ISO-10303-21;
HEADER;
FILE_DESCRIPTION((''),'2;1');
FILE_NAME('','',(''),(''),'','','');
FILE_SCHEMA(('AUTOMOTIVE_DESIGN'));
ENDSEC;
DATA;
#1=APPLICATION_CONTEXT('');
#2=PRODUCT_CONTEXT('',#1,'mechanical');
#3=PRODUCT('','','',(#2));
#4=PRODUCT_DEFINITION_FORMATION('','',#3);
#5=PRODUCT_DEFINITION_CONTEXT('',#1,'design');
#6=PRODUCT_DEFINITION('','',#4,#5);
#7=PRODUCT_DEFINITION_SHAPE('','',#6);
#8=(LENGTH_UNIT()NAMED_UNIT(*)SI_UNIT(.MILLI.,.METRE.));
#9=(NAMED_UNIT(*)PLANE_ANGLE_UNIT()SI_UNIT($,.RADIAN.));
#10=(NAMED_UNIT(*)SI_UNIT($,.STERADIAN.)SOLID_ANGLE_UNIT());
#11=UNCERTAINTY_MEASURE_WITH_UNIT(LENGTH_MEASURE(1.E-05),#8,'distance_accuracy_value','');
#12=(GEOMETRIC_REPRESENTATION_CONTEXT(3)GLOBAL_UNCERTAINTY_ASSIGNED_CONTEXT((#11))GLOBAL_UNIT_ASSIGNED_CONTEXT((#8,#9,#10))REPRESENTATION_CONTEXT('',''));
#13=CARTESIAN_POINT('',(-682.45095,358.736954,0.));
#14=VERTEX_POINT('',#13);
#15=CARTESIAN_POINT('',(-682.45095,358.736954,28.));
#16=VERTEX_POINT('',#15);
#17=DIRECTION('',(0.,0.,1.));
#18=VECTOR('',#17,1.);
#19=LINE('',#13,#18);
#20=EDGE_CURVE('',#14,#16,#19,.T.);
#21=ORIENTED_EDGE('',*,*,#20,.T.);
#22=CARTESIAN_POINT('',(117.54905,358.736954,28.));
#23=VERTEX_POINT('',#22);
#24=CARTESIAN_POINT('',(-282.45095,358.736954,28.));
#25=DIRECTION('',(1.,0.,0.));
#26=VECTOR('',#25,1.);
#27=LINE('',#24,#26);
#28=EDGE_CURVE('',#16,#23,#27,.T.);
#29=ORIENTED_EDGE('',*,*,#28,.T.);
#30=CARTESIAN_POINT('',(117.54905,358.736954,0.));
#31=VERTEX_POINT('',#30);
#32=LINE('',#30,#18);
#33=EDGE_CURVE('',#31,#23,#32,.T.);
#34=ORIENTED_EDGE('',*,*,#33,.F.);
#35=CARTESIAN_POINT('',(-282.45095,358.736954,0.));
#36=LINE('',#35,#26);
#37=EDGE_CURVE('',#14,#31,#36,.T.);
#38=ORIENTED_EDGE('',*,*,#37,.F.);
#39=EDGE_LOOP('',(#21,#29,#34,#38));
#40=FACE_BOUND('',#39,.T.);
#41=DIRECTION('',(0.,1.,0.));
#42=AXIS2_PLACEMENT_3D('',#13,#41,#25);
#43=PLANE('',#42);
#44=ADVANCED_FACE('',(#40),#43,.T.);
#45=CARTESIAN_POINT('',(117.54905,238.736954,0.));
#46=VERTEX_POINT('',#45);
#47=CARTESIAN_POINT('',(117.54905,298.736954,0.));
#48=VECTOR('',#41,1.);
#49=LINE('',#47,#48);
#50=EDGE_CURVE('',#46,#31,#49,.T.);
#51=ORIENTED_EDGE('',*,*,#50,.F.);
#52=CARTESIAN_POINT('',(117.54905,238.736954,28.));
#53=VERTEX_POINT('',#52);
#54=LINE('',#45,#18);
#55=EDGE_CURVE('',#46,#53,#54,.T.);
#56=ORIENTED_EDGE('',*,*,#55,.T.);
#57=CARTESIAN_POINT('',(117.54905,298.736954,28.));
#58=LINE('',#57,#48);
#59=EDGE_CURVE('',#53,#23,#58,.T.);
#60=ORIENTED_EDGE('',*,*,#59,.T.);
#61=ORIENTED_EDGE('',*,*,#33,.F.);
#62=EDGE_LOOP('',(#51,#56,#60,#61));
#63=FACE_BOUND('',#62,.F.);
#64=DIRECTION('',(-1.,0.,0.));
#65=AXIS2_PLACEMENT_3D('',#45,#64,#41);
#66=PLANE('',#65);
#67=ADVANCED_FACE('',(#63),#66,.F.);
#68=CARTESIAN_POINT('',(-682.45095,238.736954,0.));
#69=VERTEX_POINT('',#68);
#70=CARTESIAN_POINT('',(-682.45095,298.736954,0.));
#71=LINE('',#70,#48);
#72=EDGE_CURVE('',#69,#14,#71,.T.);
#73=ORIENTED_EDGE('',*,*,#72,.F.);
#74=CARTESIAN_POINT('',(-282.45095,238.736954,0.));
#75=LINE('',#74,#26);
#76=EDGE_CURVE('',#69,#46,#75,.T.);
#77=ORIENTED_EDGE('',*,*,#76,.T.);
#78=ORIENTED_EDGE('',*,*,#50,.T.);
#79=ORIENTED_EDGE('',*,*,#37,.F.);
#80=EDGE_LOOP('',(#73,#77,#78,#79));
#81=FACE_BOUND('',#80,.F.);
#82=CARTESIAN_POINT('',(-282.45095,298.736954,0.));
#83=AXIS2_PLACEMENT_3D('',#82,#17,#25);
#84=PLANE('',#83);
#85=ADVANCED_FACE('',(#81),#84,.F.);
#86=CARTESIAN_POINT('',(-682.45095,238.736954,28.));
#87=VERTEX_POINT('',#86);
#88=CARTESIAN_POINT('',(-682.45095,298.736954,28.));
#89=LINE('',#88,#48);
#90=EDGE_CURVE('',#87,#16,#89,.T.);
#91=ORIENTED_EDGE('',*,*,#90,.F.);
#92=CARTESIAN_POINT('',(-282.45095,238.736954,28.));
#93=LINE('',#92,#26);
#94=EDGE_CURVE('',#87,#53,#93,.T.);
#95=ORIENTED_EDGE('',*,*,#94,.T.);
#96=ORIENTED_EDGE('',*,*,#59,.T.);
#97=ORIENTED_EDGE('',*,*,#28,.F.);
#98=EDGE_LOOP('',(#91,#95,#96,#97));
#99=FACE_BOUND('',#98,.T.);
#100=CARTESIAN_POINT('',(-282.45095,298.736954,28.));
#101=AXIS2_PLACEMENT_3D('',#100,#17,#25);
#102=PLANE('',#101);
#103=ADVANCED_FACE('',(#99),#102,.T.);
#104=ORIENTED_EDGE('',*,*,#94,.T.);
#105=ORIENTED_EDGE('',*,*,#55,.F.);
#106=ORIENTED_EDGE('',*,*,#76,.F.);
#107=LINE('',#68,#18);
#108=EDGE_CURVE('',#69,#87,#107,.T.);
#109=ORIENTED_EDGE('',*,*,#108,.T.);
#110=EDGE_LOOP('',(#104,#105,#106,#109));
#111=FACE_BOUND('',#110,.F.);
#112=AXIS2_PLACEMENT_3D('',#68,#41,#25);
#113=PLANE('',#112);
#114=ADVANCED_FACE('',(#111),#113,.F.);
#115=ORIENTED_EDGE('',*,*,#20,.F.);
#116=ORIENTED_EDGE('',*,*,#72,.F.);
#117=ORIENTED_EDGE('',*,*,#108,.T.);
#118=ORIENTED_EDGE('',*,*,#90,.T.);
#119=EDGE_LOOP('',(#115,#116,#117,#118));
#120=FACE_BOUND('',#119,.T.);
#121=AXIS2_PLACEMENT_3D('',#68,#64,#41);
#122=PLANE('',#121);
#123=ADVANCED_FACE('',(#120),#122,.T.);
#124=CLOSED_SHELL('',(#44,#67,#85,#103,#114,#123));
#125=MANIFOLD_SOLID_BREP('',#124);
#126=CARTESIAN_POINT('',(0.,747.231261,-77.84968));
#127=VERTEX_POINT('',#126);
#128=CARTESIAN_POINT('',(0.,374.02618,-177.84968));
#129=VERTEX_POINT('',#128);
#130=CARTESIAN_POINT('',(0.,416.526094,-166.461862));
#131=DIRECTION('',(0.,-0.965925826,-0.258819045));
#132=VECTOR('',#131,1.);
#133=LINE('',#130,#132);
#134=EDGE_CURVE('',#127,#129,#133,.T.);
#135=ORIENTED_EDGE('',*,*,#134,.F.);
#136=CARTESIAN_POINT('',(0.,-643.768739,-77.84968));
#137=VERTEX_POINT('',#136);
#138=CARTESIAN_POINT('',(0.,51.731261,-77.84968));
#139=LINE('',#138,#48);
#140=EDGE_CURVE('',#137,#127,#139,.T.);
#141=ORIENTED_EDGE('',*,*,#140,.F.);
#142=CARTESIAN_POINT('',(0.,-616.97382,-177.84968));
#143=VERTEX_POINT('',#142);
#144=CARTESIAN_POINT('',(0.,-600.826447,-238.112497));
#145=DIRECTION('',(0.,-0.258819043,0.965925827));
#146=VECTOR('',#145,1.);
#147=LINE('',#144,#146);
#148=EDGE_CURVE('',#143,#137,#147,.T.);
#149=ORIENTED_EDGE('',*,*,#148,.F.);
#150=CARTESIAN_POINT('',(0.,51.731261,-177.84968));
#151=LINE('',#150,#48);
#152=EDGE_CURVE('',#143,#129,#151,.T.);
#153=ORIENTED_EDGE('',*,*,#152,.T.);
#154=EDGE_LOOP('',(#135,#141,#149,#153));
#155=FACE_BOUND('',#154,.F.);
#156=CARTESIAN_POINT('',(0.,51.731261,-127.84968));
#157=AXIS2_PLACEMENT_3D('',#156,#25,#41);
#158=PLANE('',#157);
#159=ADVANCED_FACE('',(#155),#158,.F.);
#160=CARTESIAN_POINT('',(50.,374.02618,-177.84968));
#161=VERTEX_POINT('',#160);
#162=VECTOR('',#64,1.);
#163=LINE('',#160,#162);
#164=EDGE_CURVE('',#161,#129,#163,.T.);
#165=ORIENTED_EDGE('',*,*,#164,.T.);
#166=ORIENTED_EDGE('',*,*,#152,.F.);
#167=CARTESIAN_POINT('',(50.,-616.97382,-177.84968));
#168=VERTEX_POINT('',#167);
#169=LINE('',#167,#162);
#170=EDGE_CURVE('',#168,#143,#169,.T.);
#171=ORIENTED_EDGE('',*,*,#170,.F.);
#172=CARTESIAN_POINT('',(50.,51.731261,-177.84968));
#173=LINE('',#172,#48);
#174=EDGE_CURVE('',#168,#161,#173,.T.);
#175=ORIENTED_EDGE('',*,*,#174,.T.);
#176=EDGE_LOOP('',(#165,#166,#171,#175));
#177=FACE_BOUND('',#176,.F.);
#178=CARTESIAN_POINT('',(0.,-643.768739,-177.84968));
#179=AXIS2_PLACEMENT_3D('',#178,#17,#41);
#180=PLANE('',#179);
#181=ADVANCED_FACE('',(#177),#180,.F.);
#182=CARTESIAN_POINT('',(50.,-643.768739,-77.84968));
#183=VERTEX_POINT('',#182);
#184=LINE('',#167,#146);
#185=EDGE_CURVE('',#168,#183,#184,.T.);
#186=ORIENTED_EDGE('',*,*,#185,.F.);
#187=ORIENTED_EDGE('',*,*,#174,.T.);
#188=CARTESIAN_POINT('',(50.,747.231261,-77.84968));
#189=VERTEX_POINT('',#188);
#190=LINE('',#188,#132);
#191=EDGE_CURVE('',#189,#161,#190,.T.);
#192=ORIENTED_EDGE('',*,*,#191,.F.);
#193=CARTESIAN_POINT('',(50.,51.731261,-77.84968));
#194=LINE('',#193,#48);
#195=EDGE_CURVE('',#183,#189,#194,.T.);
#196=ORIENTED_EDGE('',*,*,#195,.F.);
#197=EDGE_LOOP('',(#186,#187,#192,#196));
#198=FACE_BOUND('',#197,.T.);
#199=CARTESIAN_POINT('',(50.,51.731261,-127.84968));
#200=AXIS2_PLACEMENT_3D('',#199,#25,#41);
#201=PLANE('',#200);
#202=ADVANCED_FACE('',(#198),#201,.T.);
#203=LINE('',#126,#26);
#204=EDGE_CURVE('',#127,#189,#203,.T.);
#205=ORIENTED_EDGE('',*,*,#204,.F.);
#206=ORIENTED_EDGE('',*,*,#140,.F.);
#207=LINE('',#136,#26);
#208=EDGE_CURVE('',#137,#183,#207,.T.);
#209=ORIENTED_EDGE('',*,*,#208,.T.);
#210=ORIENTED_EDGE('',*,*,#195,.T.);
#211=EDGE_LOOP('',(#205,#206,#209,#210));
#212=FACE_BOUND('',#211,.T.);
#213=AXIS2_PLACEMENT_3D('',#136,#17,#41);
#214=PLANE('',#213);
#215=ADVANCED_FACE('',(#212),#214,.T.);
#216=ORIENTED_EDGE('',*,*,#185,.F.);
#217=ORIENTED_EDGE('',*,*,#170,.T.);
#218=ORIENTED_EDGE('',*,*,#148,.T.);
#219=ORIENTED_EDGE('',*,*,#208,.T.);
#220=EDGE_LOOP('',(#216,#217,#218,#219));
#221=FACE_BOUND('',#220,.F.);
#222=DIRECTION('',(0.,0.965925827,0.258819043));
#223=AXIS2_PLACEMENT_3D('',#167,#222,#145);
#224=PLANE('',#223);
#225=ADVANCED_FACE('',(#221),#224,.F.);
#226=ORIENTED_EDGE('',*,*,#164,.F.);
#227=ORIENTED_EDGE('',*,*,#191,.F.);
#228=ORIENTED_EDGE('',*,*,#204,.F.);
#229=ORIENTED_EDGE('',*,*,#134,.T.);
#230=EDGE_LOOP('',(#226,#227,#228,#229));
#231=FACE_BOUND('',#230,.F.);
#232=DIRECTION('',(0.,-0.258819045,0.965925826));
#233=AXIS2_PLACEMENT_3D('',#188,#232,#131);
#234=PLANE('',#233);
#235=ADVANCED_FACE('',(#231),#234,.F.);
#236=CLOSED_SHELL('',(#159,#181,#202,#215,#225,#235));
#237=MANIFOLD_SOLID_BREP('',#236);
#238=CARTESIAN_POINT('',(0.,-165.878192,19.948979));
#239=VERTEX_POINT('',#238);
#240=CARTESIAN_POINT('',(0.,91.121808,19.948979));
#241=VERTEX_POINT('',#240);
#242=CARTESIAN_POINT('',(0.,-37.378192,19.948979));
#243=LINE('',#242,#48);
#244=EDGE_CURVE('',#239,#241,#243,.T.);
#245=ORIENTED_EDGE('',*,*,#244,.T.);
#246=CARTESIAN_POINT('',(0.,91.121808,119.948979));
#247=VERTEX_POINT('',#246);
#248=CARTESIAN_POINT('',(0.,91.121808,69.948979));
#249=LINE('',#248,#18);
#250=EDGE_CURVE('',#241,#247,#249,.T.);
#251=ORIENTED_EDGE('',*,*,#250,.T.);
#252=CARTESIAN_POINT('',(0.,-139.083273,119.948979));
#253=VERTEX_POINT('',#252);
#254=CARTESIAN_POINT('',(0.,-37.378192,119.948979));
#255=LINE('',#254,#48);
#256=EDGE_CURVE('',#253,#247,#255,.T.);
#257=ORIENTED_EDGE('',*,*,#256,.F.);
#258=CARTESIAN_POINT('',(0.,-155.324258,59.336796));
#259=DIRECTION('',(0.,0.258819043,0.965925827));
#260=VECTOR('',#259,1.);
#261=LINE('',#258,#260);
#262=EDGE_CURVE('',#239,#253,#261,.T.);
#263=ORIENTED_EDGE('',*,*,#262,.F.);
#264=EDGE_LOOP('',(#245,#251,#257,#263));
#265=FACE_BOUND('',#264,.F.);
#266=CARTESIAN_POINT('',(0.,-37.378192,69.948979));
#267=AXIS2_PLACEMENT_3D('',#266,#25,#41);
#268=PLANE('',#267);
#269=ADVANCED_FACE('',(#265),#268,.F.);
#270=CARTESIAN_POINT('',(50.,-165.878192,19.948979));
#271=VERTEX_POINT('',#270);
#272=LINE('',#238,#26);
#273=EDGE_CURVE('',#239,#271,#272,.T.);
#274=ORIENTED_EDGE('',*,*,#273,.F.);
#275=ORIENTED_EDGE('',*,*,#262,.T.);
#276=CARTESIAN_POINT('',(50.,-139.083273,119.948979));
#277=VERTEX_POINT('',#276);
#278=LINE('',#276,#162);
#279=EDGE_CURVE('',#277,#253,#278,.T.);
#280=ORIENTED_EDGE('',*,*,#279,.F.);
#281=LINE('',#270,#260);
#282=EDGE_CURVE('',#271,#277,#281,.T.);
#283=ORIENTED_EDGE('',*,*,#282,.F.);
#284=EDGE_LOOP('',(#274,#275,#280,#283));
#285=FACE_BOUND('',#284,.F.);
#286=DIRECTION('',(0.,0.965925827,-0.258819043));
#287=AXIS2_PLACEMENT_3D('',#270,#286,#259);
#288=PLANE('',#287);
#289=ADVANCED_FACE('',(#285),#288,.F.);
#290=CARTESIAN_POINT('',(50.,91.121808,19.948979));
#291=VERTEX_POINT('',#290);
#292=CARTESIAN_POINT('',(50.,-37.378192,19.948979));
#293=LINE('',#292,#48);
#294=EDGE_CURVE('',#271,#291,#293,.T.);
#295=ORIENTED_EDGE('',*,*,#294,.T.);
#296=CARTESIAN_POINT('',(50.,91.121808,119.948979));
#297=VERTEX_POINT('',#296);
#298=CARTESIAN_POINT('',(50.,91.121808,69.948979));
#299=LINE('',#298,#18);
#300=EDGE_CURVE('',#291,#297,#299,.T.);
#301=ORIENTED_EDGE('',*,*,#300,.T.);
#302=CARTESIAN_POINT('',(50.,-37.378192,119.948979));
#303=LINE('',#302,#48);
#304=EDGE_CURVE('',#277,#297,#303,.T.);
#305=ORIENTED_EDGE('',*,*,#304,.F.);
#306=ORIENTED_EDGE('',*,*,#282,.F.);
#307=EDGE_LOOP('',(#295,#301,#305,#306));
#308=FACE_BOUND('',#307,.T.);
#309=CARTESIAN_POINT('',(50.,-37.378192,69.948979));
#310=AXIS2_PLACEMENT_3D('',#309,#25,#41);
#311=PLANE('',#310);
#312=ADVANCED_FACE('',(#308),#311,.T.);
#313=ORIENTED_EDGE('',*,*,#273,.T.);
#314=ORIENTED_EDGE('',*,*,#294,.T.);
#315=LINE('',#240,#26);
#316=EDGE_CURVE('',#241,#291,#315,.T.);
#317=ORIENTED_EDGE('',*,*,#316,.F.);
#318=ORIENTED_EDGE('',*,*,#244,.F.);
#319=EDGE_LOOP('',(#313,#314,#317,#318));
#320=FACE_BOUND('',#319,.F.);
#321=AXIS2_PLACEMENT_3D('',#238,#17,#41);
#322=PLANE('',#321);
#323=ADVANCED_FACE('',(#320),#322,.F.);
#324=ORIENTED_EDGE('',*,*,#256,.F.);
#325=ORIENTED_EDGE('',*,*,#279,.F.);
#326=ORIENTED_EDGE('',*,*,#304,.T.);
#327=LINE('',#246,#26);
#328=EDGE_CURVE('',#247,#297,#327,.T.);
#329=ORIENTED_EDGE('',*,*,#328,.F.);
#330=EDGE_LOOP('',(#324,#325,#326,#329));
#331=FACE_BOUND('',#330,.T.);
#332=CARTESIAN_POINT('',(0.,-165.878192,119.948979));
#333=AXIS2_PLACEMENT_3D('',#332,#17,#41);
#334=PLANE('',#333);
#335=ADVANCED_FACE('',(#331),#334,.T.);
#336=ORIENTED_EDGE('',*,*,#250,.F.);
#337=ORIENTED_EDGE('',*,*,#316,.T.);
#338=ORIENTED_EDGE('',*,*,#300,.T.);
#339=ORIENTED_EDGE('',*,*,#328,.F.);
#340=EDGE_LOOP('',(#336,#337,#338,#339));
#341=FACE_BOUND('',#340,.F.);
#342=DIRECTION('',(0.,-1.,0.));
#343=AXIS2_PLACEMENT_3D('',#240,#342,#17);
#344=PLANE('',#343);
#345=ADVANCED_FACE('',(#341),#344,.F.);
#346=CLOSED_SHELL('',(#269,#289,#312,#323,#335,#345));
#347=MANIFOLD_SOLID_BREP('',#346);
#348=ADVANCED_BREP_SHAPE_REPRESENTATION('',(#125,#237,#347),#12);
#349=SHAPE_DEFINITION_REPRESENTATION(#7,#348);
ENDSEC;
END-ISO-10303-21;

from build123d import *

# Parameters (mm, degrees)
F0_W      = 1391
F0_H      = 100
F1_DEPTH  = 50
F3_DEPTH  = 50.001
F5_DEPTH  = 50.001
F6_W      = 257
F6_H      = 100
F7_DEPTH  = 50
F9_DEPTH  = 50.001
F10_W     = 800
F10_H     = 120
F11_DEPTH = 28


with BuildPart() as f1:
    # F0 (on Right) → F1 (new body)
    with BuildSketch(Plane.YZ):
        with Locations((51.731261, -127.84968)):
            Rectangle(F0_W, F0_H)
    extrude(amount=F1_DEPTH)

    # F2 (on face) → F3 (cut, through all)
    with BuildSketch(Plane.YZ.offset(50)):
        Polygon((-616.97382, -177.84968), (-643.768739, -77.84968), (-643.768739, -177.84968), align=None)
    extrude(amount=-F3_DEPTH, mode=Mode.SUBTRACT)

    # F4 (on face) → F5 (cut, through all)
    with BuildSketch(Plane.YZ.offset(50)):
        Polygon((747.231261, -177.84968), (747.231261, -77.84968), (374.02618, -177.84968), align=None)
    extrude(amount=-F5_DEPTH, mode=Mode.SUBTRACT)


with BuildPart() as f7:
    # F6 (on Right) → F7 (new body)
    with BuildSketch(Plane.YZ):
        with Locations((-37.378192, 69.948979)):
            Rectangle(F6_W, F6_H)
    extrude(amount=F7_DEPTH)

    # F8 (on face) → F9 (cut, through all)
    with BuildSketch(Plane.YZ.offset(50)):
        Polygon((-165.878192, 119.948979), (-165.878192, 19.948979), (-139.083273, 119.948979), align=None)
    extrude(amount=-F9_DEPTH, mode=Mode.SUBTRACT)


with BuildPart() as f11:
    # F10 (on Top) → F11 (new body)
    with BuildSketch(Plane.XY):
        with Locations((-282.45095, 298.736954)):
            Rectangle(F10_W, F10_H)
    extrude(amount=F11_DEPTH)


solid = Compound([f1.part, f7.part, f11.part])
